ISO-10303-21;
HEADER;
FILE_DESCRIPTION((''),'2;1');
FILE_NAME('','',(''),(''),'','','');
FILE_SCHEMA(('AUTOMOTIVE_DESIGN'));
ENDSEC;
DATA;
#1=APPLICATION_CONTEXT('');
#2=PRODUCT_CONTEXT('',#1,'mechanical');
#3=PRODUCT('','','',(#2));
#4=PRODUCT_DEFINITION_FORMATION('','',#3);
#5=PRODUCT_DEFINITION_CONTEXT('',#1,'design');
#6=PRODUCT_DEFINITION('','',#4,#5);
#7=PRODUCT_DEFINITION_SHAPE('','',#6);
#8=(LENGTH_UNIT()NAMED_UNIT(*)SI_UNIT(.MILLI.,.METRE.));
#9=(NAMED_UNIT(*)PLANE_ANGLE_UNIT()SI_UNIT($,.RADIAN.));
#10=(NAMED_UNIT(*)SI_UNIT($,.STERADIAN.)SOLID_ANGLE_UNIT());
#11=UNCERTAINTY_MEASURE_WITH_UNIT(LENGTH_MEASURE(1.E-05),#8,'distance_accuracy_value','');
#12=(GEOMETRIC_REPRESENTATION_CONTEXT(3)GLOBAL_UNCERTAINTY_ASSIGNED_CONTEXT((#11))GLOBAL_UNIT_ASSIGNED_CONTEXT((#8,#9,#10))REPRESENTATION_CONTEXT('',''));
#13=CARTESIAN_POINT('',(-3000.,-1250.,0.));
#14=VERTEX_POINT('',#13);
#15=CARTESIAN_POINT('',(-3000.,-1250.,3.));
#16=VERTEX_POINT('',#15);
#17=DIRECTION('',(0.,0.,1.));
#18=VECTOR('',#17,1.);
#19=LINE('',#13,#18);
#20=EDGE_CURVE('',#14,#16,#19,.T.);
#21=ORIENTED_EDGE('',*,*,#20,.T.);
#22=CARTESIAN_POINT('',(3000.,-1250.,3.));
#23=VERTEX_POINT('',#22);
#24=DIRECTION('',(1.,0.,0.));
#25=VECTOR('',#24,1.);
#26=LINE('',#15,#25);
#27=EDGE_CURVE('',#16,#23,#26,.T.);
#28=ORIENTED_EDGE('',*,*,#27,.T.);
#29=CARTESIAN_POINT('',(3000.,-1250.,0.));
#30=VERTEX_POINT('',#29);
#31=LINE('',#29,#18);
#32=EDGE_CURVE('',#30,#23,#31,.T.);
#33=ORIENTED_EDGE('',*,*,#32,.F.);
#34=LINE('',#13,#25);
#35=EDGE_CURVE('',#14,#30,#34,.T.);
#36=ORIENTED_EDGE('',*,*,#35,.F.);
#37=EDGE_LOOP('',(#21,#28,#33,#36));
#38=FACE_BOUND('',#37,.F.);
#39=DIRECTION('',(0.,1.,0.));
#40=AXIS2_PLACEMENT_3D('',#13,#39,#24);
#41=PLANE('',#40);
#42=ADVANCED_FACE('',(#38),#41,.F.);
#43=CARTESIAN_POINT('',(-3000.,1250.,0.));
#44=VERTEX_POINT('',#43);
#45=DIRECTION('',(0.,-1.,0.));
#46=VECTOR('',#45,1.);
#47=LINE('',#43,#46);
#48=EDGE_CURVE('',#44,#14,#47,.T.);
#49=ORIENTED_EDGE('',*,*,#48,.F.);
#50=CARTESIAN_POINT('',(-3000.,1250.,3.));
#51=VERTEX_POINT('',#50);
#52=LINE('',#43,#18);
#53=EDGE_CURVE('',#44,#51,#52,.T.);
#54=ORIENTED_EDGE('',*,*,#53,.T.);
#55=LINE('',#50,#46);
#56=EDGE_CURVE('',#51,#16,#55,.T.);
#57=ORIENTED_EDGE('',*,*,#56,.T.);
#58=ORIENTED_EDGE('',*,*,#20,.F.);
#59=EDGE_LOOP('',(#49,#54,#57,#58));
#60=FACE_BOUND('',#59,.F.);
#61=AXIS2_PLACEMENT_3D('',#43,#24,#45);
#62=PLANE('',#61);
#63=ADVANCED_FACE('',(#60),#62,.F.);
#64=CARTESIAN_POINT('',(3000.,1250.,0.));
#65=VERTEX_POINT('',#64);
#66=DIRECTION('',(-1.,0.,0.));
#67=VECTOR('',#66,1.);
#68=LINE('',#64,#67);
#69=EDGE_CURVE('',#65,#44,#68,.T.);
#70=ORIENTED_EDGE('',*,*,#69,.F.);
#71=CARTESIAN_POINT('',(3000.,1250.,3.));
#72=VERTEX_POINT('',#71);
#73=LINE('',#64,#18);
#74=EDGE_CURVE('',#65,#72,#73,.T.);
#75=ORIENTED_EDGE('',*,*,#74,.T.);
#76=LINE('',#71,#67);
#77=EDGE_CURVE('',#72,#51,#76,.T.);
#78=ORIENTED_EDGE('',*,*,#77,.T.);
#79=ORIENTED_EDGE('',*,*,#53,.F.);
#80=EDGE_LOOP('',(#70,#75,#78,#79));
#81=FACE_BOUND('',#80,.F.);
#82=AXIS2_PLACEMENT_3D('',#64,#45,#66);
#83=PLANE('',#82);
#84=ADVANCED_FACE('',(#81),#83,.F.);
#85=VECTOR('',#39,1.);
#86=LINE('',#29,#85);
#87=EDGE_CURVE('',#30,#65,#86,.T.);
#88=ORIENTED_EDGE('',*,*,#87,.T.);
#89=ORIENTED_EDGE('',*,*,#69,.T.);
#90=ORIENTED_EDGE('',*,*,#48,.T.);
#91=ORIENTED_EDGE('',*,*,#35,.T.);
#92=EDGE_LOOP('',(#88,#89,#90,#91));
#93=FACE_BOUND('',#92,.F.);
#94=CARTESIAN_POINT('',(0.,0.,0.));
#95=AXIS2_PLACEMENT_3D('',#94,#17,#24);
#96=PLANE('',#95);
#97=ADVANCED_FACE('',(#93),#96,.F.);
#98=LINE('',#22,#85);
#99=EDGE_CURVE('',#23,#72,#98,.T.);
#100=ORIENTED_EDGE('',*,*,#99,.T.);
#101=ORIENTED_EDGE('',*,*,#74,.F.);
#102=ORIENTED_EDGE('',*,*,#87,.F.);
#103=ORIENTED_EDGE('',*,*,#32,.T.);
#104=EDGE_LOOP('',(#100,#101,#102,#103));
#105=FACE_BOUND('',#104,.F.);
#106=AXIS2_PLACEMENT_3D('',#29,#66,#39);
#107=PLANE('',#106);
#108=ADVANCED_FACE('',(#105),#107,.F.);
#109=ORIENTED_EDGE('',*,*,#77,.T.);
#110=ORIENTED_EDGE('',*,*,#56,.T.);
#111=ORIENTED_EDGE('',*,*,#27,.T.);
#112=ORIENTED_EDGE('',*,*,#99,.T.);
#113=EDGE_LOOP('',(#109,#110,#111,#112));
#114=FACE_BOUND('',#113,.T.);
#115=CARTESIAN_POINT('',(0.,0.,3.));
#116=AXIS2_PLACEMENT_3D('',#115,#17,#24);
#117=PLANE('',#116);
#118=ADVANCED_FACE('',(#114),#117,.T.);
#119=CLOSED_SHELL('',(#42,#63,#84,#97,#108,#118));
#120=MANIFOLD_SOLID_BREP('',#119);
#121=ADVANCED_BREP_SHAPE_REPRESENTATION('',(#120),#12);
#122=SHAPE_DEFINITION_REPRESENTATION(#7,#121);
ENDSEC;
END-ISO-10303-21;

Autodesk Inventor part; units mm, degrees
ref_plane "YZ Plane" through (0, 0, 0) normal (1, 0, 0) x (0, 1, 0)
ref_plane "XZ Plane" through (0, 0, 0) normal (0, 1, 0) x (-1, 0, 0)
ref_plane "XY Plane" through (0, 0, 0) normal (0, 0, 1) x (1, 0, 0)
sketch "Sketch1" plane through (0, 0, 0) normal (0, 0, 1) x (1, 0, 0)
  line L0 (-3000, -1250) -> (3000, -1250)
  line L1 (3000, -1250) -> (3000, 1250)
  line L2 (3000, 1250) -> (-3000, 1250)
  line L3 (-3000, 1250) -> (-3000, -1250)
  line L4 (-3000, -1250) -> (3000, 1250) construction
  line L5 (3000, -1250) -> (-3000, 1250) construction
  point P0 (0, 0)
  dimension "d0" = 6000
  dimension "d1" = 2500
extrude "Plate1" add sketch "Sketch1" along normal blind 3
equation "\"d2\" = Thickness"
equation "\"BendReliefWidth\" = Thickness"
equation "\"BendReliefDepth\" = 0.5 * Thickness"
equation "\"CornerReliefSize\" = 4 * Thickness"
equation "\"MinimumRemnant\" = 2 * Thickness"
equation "\"TransitionRadius\" = BendRadius"
equation "\"JacobiRadiusSize\" = BendRadius"
equation "\"GapSize\" = Thickness"
equation "\"Thickness\" = 3"
equation "\"BendRadius\" = 5"
properties part number "GnG floor sheet 1" material "Stainless Steel"
